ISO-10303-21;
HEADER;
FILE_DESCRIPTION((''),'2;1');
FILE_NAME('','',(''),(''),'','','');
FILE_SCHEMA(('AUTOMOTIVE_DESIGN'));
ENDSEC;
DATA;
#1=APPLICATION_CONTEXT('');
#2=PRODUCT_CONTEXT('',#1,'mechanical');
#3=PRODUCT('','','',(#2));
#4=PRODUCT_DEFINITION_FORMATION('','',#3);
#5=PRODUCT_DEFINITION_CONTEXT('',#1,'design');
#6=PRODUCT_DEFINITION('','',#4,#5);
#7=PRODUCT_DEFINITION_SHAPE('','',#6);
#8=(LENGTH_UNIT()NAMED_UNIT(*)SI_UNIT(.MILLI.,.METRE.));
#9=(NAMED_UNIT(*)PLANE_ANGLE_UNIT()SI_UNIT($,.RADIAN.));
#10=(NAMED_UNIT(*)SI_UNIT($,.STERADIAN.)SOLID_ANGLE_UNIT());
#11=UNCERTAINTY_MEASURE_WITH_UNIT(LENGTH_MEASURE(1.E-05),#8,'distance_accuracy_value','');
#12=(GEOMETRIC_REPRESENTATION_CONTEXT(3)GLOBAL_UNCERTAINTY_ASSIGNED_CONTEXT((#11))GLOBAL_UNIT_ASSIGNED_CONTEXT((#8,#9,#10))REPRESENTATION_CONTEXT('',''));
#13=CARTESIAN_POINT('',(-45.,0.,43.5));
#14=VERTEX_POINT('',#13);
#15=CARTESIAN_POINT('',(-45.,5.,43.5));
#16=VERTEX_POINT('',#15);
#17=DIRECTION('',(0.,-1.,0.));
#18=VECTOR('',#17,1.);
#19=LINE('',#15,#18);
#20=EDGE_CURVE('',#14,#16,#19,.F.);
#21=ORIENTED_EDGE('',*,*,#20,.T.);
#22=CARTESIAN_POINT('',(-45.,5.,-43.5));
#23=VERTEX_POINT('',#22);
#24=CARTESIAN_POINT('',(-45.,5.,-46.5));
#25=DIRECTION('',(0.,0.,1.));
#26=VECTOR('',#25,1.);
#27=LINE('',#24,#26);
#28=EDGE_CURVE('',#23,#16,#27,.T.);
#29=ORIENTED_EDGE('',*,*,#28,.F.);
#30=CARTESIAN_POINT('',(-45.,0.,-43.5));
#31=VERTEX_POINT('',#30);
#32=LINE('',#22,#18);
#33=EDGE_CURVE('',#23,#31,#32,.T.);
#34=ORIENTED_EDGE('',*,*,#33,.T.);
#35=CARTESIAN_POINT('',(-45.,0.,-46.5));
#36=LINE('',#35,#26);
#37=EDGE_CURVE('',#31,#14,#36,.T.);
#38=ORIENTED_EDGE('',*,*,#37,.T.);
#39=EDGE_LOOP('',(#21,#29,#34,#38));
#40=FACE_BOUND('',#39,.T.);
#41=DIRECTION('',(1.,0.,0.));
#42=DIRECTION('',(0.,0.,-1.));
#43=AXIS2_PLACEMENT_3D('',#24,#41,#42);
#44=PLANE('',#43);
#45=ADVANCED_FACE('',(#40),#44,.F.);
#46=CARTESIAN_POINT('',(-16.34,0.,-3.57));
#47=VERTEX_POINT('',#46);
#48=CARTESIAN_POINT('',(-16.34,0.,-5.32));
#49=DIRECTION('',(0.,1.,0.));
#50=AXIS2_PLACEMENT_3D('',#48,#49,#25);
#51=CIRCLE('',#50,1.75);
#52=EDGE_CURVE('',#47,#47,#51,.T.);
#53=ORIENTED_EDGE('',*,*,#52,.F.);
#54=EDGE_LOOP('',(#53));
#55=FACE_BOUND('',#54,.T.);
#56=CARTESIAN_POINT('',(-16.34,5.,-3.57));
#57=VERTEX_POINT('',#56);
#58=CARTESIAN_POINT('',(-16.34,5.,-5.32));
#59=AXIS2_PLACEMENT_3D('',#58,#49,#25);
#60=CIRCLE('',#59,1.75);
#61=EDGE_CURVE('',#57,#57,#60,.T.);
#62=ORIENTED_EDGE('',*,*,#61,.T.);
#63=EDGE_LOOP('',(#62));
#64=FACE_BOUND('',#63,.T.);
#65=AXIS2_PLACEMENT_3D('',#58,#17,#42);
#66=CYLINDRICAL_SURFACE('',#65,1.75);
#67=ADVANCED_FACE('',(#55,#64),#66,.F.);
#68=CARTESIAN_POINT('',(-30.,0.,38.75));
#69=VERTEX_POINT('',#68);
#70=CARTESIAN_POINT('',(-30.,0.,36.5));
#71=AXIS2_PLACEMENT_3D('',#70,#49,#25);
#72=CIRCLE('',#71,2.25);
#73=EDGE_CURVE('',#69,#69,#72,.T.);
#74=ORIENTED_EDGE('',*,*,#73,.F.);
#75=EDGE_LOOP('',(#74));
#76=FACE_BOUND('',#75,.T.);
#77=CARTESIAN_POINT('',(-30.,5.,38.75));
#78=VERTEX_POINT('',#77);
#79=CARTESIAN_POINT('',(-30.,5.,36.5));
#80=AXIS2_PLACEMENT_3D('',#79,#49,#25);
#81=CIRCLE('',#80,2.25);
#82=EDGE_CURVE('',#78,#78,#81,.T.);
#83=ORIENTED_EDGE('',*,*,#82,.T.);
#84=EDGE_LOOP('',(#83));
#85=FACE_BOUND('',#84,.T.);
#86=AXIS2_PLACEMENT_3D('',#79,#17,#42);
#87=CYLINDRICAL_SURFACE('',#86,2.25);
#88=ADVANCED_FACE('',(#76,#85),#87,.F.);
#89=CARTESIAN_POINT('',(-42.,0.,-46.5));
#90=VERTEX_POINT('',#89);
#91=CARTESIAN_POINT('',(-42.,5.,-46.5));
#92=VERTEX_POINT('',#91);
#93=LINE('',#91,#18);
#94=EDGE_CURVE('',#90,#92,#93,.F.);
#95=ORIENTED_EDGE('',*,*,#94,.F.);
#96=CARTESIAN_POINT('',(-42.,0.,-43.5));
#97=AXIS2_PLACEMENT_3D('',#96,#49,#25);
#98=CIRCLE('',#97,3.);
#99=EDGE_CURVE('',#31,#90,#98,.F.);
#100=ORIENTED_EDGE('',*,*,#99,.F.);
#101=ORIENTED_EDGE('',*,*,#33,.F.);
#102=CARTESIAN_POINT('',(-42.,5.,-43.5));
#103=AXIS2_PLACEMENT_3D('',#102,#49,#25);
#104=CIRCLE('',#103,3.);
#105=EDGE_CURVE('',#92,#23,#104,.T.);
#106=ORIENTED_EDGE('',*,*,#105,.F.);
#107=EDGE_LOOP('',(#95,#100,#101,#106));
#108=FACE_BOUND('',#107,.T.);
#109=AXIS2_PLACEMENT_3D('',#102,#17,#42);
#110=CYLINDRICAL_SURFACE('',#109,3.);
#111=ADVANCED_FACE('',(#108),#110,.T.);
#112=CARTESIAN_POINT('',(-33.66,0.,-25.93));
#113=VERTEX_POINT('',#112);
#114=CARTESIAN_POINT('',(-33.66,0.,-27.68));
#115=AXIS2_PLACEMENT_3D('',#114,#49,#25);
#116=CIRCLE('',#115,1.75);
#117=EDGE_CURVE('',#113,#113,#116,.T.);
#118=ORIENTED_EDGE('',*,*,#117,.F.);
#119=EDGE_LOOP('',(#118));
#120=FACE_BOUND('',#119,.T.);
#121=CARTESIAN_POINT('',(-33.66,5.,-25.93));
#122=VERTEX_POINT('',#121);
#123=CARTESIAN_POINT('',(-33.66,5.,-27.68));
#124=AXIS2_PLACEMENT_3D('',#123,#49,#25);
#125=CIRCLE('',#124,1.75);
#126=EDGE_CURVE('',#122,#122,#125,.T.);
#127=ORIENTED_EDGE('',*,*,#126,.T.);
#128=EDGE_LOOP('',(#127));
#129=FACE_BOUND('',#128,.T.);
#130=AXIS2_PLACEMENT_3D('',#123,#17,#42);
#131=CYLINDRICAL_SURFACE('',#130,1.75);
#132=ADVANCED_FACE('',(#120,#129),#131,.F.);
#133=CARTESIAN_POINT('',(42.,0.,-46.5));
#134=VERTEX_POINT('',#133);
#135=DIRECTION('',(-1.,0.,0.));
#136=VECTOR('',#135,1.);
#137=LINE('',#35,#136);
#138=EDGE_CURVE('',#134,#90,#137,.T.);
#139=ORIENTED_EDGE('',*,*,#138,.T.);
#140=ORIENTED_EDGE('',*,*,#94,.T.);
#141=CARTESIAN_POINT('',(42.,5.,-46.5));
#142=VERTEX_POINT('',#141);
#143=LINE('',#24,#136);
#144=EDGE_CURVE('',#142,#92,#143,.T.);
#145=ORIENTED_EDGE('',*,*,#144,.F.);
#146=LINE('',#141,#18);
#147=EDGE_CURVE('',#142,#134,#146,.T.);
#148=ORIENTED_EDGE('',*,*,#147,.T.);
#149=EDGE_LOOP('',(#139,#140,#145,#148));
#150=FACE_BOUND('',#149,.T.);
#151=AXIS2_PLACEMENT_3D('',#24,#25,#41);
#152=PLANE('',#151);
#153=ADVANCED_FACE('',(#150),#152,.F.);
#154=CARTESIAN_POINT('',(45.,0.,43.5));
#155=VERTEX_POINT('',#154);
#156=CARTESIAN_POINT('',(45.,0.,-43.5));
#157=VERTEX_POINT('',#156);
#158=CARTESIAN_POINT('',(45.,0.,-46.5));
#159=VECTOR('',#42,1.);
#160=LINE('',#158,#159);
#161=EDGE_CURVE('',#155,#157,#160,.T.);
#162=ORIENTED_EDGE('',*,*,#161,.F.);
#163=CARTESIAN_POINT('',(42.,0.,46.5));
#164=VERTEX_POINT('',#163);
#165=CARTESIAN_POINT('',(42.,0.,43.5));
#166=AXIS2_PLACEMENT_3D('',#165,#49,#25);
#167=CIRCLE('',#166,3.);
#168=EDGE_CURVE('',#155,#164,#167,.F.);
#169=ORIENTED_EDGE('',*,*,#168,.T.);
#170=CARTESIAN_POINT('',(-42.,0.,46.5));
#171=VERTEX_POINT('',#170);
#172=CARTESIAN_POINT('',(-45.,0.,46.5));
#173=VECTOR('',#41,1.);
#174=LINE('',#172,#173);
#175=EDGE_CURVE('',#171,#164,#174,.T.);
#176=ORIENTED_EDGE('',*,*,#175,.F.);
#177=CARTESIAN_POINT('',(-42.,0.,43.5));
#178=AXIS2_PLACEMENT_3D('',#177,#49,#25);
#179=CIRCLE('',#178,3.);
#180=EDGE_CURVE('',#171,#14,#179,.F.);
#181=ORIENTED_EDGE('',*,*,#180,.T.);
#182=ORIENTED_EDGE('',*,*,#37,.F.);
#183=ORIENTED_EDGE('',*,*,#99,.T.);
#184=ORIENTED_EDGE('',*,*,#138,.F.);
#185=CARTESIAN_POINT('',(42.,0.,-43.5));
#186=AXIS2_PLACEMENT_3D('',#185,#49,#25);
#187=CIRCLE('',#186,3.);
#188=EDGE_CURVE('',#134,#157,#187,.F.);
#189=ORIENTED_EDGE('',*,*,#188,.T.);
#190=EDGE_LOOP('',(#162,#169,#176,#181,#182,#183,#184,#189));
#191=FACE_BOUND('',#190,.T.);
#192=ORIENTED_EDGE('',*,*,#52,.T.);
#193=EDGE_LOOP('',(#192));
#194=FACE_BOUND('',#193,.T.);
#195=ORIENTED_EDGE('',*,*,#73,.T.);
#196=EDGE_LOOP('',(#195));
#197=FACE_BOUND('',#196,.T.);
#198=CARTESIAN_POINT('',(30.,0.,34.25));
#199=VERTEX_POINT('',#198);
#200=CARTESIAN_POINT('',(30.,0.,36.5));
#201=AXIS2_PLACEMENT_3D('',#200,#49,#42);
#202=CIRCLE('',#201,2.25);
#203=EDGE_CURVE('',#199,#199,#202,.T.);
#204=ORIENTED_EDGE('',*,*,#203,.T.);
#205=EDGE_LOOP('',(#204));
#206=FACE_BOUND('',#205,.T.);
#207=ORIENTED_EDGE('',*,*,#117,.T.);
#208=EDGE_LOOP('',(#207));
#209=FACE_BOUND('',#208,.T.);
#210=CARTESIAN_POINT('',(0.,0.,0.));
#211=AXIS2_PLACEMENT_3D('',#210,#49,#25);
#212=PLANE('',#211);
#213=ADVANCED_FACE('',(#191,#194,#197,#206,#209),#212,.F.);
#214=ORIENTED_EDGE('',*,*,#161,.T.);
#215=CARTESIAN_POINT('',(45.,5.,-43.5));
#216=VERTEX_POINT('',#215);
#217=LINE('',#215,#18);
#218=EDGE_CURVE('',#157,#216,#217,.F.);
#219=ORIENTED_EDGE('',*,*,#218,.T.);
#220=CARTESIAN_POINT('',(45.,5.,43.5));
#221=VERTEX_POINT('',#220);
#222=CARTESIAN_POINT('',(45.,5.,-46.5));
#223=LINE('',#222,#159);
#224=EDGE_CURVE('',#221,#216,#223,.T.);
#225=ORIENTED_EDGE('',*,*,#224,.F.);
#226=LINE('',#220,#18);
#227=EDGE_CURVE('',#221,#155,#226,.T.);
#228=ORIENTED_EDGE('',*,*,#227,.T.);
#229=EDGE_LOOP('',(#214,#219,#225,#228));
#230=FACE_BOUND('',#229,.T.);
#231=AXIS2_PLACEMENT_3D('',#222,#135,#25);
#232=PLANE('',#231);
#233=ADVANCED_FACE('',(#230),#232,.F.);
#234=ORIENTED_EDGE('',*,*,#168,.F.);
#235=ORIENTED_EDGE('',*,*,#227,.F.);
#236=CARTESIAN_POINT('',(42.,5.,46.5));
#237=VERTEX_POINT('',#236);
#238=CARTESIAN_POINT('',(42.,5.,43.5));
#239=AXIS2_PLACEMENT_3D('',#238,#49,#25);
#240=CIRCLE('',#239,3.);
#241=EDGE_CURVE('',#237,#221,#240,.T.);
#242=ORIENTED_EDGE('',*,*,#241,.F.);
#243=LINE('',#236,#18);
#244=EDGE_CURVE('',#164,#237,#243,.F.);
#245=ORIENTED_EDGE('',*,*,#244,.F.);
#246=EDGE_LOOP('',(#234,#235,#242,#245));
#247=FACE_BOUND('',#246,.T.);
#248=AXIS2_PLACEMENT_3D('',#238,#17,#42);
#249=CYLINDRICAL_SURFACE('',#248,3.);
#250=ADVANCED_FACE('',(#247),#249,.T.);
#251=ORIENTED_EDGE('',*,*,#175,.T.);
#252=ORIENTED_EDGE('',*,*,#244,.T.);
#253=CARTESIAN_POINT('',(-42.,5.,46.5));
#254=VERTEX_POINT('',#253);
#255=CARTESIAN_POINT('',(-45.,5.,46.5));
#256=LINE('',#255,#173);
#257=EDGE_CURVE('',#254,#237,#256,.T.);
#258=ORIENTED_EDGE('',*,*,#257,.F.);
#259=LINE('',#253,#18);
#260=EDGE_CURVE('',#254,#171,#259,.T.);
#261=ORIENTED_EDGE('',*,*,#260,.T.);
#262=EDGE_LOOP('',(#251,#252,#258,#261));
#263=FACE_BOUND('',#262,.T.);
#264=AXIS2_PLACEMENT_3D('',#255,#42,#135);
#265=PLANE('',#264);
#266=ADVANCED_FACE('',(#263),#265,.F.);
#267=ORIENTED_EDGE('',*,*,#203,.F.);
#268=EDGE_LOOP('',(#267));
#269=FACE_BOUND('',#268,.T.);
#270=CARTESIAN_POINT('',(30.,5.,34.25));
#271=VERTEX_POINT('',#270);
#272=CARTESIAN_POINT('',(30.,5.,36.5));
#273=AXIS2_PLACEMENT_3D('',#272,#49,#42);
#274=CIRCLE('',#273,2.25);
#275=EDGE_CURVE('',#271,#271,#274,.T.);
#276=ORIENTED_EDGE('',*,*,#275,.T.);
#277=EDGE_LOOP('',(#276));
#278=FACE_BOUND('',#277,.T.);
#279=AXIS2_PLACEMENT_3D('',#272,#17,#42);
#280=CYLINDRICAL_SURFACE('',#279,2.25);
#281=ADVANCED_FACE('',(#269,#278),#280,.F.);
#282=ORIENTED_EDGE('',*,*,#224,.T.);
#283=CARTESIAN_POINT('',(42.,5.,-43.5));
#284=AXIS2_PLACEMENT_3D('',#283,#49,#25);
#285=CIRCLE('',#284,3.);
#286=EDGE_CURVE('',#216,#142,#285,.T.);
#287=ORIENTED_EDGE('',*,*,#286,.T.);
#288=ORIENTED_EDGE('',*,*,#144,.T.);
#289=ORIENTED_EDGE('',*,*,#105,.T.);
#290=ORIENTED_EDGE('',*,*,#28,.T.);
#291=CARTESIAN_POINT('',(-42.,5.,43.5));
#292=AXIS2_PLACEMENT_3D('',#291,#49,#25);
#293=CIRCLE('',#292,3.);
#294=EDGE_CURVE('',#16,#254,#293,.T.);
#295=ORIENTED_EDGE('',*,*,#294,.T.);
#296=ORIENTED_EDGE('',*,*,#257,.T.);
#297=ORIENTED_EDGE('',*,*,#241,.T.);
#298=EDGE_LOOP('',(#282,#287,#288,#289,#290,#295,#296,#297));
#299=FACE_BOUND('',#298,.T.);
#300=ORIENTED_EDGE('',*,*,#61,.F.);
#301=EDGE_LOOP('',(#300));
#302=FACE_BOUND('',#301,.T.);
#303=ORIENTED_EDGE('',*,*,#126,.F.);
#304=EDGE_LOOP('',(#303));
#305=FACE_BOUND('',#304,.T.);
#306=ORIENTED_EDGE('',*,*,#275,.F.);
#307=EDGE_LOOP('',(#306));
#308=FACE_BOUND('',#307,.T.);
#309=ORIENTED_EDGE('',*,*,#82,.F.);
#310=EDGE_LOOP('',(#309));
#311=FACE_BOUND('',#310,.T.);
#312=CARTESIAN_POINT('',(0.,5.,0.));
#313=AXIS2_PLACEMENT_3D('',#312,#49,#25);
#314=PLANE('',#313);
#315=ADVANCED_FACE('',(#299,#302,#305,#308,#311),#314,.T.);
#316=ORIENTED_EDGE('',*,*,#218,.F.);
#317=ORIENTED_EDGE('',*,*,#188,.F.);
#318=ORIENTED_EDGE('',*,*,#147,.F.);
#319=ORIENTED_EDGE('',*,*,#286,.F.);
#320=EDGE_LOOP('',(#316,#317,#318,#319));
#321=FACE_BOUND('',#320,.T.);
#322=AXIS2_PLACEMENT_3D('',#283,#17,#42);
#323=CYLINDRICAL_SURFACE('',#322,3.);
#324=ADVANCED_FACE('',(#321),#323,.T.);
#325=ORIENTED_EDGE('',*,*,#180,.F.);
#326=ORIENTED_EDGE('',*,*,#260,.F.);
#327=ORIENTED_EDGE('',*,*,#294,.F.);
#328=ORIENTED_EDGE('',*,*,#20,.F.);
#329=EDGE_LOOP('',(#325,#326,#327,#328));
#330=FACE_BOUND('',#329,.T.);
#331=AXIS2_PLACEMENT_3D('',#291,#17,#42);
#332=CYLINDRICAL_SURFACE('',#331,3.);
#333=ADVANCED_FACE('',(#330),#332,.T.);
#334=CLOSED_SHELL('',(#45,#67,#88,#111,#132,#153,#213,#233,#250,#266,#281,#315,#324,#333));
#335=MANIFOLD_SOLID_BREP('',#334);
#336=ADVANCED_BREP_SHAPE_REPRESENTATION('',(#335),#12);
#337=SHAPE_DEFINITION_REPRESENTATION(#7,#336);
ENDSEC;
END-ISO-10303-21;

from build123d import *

# Parameters (mm, degrees)
SKETCH1_W           = 90
SKETCH1_H           = 93
SKETCH1_R           = 2.25
SKETCH1_R_2         = 1.75
BOSS_EXTRUDE1_DEPTH = 5
FILLET1_R           = 3


with BuildPart() as part:
    # Sketch1 → Boss-Extrude1 (new body)
    with BuildSketch(Plane(origin=(0, 0, 0), x_dir=(1, 0, 0), z_dir=(0, 1, 0))):
        Rectangle(SKETCH1_W, SKETCH1_H)
        with Locations((-30, -36.5)):
            Circle(SKETCH1_R, mode=Mode.SUBTRACT)
        with Locations((30, -36.5)):
            Circle(SKETCH1_R, mode=Mode.SUBTRACT)
        with Locations((-33.66, 27.68)):
            Circle(SKETCH1_R_2, mode=Mode.SUBTRACT)
        with Locations((-16.34, 5.32)):
            Circle(SKETCH1_R_2, mode=Mode.SUBTRACT)
    extrude(amount=BOSS_EXTRUDE1_DEPTH)

    # Fillet1
    fillet1_edges = [part.edges().sort_by_distance(p)[0] for p in [
        (45, 2.5, 46.5),
        (-45, 2.5, 46.5),
        (-45, 2.5, -46.5),
        (45, 2.5, -46.5),
    ]]
    fillet(fillet1_edges, radius=FILLET1_R)


solid = part.part
